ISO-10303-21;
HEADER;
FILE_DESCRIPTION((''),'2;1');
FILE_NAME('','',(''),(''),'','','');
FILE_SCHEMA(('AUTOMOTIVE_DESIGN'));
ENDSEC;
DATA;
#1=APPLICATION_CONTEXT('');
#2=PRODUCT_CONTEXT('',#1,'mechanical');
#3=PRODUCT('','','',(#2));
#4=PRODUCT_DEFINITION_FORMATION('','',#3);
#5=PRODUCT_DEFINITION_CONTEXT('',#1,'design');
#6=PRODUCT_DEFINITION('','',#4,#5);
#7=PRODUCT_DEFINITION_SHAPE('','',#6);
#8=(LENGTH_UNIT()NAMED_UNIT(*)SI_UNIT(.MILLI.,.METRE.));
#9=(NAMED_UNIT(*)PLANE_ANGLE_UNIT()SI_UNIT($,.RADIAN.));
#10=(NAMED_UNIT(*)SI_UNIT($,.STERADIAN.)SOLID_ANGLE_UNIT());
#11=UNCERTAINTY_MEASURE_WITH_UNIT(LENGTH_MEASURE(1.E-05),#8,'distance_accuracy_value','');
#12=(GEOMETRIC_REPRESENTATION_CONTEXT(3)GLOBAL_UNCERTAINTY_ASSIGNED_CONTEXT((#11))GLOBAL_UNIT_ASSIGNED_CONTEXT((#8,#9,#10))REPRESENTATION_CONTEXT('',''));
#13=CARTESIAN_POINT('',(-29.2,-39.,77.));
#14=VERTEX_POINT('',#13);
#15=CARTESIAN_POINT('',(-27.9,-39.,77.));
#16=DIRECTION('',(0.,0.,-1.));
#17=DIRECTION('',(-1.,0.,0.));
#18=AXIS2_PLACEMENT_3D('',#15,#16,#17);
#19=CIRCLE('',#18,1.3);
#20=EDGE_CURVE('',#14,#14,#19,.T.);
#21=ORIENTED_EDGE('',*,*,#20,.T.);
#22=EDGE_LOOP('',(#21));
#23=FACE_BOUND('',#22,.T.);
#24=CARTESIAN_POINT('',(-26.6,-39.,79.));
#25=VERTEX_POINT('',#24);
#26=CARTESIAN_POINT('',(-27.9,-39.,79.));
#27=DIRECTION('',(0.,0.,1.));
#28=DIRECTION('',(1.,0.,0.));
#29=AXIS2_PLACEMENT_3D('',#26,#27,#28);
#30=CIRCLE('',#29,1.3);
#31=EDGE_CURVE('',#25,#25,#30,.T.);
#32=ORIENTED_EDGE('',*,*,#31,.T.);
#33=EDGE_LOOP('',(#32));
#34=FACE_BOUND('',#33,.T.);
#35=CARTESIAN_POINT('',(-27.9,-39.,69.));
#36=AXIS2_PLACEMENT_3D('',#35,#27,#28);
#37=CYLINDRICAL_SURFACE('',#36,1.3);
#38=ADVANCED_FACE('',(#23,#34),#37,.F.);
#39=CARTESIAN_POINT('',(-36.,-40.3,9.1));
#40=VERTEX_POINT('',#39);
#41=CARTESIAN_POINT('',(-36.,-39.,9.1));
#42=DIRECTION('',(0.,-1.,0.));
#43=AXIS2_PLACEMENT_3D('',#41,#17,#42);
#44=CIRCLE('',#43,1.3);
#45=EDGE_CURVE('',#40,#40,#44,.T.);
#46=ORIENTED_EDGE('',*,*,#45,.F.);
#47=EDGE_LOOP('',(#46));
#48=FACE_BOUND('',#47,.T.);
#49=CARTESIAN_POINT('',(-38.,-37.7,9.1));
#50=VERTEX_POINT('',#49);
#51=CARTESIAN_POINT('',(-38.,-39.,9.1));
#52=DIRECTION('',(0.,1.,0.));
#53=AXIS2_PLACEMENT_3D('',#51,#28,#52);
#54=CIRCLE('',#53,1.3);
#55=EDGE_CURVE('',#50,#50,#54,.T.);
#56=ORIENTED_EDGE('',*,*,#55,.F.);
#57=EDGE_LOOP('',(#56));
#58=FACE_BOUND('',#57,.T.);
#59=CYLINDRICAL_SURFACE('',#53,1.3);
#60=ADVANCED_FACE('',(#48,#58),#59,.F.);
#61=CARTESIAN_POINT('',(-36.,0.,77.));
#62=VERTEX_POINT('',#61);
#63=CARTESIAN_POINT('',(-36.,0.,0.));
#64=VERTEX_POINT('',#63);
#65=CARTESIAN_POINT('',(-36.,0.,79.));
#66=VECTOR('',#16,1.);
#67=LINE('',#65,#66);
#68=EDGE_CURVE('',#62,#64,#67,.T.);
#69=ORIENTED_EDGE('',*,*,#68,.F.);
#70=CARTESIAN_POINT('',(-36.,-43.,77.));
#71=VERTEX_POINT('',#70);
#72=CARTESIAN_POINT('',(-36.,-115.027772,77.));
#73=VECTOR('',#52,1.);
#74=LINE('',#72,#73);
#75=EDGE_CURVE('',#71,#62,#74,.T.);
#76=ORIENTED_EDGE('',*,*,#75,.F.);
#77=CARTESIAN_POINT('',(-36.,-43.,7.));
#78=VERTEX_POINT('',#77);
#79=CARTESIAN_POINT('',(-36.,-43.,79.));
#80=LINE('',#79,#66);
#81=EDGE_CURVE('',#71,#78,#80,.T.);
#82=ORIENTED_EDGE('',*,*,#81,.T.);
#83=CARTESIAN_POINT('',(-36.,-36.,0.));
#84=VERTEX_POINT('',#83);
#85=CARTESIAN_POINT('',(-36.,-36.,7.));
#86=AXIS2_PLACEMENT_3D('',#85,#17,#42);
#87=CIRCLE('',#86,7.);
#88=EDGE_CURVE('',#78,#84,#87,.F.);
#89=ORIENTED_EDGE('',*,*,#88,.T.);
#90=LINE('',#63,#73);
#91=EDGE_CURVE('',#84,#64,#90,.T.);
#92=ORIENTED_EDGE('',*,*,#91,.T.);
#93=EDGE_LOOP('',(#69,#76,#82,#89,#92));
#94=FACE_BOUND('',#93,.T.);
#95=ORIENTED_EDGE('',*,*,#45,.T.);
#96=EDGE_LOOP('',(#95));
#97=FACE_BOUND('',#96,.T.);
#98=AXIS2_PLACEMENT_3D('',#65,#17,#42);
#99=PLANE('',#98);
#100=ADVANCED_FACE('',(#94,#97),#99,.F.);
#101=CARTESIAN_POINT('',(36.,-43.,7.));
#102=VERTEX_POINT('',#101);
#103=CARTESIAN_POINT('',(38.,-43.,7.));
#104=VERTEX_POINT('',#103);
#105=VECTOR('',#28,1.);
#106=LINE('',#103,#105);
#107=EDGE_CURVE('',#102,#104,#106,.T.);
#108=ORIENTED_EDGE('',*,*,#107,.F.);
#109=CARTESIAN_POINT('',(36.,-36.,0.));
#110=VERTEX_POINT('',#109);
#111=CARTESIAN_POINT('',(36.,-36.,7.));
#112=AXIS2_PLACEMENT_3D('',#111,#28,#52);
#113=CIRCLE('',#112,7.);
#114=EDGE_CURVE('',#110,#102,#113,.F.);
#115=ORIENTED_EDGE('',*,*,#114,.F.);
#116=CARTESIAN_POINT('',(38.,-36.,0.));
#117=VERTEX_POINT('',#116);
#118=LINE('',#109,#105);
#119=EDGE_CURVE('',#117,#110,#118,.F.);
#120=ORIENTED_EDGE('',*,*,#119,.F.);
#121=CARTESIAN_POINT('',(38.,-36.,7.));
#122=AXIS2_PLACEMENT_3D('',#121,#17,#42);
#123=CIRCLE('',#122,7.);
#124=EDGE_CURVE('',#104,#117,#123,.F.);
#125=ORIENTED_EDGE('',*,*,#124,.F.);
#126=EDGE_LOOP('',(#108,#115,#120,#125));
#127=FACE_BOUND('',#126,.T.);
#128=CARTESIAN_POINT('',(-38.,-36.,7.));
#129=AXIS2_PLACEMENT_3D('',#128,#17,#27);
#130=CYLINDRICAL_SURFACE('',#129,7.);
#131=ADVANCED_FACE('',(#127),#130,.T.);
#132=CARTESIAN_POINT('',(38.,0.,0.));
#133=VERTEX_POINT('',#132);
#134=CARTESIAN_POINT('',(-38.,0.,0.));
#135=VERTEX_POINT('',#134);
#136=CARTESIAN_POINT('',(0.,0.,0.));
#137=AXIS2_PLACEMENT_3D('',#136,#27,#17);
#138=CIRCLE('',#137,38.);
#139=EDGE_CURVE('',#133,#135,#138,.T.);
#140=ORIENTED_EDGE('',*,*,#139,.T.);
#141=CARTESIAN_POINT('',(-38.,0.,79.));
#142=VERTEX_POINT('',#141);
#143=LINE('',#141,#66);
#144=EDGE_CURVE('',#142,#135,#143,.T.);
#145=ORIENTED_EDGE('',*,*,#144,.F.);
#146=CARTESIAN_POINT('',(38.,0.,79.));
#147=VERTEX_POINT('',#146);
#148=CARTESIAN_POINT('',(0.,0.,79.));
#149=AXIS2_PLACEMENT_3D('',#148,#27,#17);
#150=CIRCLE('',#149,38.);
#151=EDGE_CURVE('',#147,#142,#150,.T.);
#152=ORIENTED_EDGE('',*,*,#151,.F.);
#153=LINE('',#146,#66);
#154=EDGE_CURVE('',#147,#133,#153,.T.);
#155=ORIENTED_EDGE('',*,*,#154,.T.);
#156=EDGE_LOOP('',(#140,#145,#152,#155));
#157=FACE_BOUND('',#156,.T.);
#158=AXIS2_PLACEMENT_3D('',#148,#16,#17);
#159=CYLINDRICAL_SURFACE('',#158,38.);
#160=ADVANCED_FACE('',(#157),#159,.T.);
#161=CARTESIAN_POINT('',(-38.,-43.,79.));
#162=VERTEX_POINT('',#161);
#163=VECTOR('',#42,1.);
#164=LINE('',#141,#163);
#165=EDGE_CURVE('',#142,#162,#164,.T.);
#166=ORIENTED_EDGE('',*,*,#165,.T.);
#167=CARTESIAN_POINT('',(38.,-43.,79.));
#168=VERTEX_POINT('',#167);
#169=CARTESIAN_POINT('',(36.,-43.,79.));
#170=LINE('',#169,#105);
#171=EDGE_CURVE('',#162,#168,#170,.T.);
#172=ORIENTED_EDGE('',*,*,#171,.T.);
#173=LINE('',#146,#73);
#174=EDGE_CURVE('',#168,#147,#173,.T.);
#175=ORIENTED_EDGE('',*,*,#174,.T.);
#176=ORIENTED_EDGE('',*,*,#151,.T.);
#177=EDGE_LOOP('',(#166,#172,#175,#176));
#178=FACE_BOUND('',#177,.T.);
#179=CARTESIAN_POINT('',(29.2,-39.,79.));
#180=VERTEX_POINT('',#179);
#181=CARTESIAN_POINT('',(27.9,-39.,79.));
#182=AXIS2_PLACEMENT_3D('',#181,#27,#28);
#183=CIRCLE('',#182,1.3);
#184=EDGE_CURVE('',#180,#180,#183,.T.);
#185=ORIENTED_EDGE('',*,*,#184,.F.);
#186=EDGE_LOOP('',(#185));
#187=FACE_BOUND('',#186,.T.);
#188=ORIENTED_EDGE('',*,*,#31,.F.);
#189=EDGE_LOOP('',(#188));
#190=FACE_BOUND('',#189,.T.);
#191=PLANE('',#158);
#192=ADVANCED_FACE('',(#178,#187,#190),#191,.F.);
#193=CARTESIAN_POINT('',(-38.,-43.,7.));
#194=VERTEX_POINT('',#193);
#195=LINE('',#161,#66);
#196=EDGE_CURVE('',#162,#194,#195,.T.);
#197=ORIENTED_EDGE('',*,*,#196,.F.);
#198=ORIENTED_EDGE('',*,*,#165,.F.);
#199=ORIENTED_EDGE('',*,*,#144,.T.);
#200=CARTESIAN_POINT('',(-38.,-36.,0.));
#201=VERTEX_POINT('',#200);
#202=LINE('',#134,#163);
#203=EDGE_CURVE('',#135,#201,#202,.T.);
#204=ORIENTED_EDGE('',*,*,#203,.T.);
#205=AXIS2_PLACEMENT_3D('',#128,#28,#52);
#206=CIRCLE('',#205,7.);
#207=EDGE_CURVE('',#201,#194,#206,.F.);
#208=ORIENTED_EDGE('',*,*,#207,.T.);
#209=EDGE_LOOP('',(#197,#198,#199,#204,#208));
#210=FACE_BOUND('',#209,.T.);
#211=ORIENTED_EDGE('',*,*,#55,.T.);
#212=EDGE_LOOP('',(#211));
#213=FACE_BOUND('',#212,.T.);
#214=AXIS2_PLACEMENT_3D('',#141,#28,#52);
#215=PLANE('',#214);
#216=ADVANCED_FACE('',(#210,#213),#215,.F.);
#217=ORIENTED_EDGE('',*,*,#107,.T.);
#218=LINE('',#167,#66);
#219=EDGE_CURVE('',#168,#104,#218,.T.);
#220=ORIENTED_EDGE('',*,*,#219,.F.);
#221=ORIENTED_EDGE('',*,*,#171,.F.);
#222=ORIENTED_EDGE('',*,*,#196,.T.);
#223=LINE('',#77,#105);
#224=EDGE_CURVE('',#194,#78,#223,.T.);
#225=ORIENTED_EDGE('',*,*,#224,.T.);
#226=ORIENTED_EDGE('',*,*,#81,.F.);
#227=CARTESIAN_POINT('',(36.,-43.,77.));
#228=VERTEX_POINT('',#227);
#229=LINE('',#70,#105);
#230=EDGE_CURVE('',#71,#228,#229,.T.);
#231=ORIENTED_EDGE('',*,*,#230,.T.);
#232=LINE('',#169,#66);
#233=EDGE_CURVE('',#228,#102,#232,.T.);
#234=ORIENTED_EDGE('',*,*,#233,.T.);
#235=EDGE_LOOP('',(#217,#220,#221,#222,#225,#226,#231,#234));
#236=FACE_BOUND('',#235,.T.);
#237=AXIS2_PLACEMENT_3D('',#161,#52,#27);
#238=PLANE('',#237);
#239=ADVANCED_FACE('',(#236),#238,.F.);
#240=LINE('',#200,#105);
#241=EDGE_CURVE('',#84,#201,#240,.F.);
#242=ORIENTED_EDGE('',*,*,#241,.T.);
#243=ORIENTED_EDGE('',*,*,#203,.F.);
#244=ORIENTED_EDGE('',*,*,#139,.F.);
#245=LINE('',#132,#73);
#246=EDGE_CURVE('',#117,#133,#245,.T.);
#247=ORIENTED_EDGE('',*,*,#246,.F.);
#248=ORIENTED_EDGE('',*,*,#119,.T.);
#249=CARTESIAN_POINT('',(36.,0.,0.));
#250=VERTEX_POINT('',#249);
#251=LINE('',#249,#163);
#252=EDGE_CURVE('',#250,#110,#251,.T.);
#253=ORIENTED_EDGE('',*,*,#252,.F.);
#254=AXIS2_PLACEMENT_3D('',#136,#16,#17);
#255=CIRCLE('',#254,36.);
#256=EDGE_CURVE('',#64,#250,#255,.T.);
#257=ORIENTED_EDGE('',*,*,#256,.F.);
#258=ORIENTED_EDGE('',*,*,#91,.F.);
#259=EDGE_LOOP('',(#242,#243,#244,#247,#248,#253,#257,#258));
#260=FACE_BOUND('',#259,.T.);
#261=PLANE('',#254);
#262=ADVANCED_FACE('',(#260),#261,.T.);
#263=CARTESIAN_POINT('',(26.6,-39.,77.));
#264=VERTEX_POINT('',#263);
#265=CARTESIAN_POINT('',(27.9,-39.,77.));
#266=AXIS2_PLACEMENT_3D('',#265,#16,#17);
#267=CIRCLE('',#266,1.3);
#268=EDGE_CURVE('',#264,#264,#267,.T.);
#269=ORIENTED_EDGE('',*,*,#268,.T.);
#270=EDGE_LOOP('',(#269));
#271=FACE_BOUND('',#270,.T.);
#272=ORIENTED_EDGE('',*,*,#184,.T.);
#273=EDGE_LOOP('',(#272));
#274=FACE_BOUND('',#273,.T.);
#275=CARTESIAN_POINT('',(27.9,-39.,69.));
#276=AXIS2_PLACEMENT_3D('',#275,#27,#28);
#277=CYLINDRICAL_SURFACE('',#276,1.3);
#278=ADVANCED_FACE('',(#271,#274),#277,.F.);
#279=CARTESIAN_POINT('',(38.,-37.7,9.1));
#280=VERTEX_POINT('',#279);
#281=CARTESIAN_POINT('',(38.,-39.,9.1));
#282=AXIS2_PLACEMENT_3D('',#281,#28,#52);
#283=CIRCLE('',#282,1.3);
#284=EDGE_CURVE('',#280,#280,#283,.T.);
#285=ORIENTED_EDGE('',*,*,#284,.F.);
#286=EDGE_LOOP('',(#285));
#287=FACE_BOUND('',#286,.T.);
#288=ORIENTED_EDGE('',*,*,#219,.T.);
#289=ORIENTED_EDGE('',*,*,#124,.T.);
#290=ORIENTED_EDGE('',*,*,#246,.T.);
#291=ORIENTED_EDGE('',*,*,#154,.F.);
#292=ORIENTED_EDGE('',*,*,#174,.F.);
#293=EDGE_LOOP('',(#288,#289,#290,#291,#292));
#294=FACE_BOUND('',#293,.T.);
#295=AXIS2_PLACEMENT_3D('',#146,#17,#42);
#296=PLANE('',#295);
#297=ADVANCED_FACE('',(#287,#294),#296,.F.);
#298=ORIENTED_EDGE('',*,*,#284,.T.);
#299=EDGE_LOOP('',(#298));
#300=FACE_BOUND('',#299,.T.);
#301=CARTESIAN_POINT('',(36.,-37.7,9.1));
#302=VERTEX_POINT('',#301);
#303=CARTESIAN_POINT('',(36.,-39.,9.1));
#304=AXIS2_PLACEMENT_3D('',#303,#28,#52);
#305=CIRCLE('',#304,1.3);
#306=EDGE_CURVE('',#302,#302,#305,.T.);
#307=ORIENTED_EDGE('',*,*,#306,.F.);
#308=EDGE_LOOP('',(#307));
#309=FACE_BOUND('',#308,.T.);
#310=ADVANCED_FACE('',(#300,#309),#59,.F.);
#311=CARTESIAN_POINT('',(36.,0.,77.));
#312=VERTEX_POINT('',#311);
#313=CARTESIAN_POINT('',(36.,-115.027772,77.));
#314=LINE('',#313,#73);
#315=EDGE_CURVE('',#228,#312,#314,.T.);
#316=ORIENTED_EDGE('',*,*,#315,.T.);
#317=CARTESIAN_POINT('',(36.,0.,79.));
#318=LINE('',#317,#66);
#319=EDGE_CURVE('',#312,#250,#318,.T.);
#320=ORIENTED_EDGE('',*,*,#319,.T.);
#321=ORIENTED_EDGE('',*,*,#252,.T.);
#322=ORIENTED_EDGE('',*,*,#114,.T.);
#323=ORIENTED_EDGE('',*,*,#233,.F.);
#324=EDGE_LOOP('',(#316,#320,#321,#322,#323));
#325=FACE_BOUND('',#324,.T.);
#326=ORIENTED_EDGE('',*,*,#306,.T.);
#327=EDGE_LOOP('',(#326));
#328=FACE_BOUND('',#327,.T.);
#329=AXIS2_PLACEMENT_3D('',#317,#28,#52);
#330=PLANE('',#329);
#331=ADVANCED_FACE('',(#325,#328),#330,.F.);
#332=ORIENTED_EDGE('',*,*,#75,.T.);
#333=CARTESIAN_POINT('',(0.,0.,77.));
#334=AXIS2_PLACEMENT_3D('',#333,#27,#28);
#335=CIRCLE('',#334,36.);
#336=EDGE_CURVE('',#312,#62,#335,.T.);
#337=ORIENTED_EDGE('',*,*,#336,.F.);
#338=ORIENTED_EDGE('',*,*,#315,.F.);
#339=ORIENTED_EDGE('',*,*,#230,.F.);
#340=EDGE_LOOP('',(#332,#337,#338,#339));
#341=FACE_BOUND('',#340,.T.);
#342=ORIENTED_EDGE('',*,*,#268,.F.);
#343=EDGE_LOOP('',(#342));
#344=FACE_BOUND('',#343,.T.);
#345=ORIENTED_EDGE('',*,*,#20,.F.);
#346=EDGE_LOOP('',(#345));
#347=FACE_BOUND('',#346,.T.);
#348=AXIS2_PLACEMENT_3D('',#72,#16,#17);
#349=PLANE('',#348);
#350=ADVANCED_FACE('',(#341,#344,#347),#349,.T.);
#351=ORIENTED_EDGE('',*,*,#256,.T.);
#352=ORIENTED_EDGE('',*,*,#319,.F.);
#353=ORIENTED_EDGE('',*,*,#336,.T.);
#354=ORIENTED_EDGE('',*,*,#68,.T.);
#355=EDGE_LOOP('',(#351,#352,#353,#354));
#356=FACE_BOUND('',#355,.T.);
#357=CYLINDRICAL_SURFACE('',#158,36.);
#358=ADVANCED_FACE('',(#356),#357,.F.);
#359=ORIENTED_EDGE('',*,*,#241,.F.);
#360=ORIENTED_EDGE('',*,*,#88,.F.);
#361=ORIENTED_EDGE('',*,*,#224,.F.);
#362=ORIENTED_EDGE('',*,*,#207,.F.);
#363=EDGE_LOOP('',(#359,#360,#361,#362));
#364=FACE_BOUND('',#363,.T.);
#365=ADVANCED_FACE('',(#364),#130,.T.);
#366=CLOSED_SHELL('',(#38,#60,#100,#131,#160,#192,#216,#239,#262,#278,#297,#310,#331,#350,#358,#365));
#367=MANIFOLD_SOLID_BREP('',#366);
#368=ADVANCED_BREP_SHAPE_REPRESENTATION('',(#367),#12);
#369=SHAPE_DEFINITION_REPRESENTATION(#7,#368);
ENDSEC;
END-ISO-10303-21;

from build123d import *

# Parameters (mm, degrees)
BOSS_EXTRUDE1_DEPTH                  = 79
SKETCH2_W                            = 72
SKETCH2_H                            = 2
BOSS_EXTRUDE2_DEPTH                  = 43
BOSS_EXTRUDE2_DIRECTION_2_REACH      = 99.642
BOSS_EXTRUDE2_DIRECTION_2_END_RADIUS = 36
SKETCH3_R                            = 1.3
CUT_EXTRUDE1_DEPTH                   = 10
SKETCH4_R                            = 1.3
CUT_EXTRUDE2_DEPTH                   = 118.753980824
FILLET1_R                            = 7


with BuildPart() as part:
    # Sketch1 → Boss-Extrude1 (new body)
    with BuildSketch(Plane.XY):
        with BuildLine():
            Line((-36, 0), (-36, -43))
            Line((-36, -43), (-38, -43))
            Line((-38, -43), (-38, 0))
            ThreePointArc((-38, 0), (0, 38), (38, 0))
            Line((38, 0), (38, -43))
            Line((38, -43), (36, -43))
            Line((36, -43), (36, 0))
            ThreePointArc((36, 0), (0, 36), (-36, 0))
        make_face()
    extrude(amount=BOSS_EXTRUDE1_DEPTH)

    # Sketch2 → Boss-Extrude2 (add)
    with BuildSketch(Plane(origin=(0, 0, 0), x_dir=(1, 0, 0), z_dir=(0, 1, 0))):
        with Locations((0, -78)):
            Rectangle(SKETCH2_W, SKETCH2_H)
    extrude(amount=-BOSS_EXTRUDE2_DEPTH)

    # Boss-Extrude2 direction 2: up to this cylinder (the profile starts inside it)
    boss_extrude2_direction_2_end = Plane(origin=(0, 0, 78), z_dir=(0, 0, -1)) * Cylinder(BOSS_EXTRUDE2_DIRECTION_2_END_RADIUS, 272.284, mode=Mode.PRIVATE)
    # Sketch2 → Boss-Extrude2 direction 2 (add, up to the surface)
    with BuildSketch(Plane(origin=(0, 0, 0), x_dir=(1, 0, 0), z_dir=(0, 1, 0)), mode=Mode.PRIVATE) as boss_extrude2_direction_2_sk1:
        with Locations((0, -78)):
            Rectangle(SKETCH2_W, SKETCH2_H)
    boss_extrude2_direction_2_tool1 = extrude(boss_extrude2_direction_2_sk1.sketch, amount=BOSS_EXTRUDE2_DIRECTION_2_REACH, mode=Mode.PRIVATE) & boss_extrude2_direction_2_end
    add(boss_extrude2_direction_2_tool1.solids().sort_by_distance((0, 0, 78))[0])

    # Sketch3 → Cut-Extrude1 (cut)
    with BuildSketch(Plane.XY.offset(79)):
        with Locations((-27.9, -39)):
            Circle(SKETCH3_R)
        with Locations((27.9, -39)):
            Circle(SKETCH3_R)
    extrude(amount=-CUT_EXTRUDE1_DEPTH, mode=Mode.SUBTRACT)

    # Sketch4 → Cut-Extrude2 (cut, through all)
    with BuildSketch(Plane(origin=(38, 0, 0), x_dir=(0, 0, -1), z_dir=(1, 0, 0))):
        with Locations(Location((-9.1, -39, 0), (0, 0, 90))):
            Circle(SKETCH4_R)
    extrude(amount=-CUT_EXTRUDE2_DEPTH, mode=Mode.SUBTRACT)

    # Fillet1
    fillet1_edges = [part.edges().sort_by_distance(p)[0] for p in [
        (-37, -43, 0),
        (37, -43, 0),
    ]]
    fillet(fillet1_edges, radius=FILLET1_R)


solid = part.part
